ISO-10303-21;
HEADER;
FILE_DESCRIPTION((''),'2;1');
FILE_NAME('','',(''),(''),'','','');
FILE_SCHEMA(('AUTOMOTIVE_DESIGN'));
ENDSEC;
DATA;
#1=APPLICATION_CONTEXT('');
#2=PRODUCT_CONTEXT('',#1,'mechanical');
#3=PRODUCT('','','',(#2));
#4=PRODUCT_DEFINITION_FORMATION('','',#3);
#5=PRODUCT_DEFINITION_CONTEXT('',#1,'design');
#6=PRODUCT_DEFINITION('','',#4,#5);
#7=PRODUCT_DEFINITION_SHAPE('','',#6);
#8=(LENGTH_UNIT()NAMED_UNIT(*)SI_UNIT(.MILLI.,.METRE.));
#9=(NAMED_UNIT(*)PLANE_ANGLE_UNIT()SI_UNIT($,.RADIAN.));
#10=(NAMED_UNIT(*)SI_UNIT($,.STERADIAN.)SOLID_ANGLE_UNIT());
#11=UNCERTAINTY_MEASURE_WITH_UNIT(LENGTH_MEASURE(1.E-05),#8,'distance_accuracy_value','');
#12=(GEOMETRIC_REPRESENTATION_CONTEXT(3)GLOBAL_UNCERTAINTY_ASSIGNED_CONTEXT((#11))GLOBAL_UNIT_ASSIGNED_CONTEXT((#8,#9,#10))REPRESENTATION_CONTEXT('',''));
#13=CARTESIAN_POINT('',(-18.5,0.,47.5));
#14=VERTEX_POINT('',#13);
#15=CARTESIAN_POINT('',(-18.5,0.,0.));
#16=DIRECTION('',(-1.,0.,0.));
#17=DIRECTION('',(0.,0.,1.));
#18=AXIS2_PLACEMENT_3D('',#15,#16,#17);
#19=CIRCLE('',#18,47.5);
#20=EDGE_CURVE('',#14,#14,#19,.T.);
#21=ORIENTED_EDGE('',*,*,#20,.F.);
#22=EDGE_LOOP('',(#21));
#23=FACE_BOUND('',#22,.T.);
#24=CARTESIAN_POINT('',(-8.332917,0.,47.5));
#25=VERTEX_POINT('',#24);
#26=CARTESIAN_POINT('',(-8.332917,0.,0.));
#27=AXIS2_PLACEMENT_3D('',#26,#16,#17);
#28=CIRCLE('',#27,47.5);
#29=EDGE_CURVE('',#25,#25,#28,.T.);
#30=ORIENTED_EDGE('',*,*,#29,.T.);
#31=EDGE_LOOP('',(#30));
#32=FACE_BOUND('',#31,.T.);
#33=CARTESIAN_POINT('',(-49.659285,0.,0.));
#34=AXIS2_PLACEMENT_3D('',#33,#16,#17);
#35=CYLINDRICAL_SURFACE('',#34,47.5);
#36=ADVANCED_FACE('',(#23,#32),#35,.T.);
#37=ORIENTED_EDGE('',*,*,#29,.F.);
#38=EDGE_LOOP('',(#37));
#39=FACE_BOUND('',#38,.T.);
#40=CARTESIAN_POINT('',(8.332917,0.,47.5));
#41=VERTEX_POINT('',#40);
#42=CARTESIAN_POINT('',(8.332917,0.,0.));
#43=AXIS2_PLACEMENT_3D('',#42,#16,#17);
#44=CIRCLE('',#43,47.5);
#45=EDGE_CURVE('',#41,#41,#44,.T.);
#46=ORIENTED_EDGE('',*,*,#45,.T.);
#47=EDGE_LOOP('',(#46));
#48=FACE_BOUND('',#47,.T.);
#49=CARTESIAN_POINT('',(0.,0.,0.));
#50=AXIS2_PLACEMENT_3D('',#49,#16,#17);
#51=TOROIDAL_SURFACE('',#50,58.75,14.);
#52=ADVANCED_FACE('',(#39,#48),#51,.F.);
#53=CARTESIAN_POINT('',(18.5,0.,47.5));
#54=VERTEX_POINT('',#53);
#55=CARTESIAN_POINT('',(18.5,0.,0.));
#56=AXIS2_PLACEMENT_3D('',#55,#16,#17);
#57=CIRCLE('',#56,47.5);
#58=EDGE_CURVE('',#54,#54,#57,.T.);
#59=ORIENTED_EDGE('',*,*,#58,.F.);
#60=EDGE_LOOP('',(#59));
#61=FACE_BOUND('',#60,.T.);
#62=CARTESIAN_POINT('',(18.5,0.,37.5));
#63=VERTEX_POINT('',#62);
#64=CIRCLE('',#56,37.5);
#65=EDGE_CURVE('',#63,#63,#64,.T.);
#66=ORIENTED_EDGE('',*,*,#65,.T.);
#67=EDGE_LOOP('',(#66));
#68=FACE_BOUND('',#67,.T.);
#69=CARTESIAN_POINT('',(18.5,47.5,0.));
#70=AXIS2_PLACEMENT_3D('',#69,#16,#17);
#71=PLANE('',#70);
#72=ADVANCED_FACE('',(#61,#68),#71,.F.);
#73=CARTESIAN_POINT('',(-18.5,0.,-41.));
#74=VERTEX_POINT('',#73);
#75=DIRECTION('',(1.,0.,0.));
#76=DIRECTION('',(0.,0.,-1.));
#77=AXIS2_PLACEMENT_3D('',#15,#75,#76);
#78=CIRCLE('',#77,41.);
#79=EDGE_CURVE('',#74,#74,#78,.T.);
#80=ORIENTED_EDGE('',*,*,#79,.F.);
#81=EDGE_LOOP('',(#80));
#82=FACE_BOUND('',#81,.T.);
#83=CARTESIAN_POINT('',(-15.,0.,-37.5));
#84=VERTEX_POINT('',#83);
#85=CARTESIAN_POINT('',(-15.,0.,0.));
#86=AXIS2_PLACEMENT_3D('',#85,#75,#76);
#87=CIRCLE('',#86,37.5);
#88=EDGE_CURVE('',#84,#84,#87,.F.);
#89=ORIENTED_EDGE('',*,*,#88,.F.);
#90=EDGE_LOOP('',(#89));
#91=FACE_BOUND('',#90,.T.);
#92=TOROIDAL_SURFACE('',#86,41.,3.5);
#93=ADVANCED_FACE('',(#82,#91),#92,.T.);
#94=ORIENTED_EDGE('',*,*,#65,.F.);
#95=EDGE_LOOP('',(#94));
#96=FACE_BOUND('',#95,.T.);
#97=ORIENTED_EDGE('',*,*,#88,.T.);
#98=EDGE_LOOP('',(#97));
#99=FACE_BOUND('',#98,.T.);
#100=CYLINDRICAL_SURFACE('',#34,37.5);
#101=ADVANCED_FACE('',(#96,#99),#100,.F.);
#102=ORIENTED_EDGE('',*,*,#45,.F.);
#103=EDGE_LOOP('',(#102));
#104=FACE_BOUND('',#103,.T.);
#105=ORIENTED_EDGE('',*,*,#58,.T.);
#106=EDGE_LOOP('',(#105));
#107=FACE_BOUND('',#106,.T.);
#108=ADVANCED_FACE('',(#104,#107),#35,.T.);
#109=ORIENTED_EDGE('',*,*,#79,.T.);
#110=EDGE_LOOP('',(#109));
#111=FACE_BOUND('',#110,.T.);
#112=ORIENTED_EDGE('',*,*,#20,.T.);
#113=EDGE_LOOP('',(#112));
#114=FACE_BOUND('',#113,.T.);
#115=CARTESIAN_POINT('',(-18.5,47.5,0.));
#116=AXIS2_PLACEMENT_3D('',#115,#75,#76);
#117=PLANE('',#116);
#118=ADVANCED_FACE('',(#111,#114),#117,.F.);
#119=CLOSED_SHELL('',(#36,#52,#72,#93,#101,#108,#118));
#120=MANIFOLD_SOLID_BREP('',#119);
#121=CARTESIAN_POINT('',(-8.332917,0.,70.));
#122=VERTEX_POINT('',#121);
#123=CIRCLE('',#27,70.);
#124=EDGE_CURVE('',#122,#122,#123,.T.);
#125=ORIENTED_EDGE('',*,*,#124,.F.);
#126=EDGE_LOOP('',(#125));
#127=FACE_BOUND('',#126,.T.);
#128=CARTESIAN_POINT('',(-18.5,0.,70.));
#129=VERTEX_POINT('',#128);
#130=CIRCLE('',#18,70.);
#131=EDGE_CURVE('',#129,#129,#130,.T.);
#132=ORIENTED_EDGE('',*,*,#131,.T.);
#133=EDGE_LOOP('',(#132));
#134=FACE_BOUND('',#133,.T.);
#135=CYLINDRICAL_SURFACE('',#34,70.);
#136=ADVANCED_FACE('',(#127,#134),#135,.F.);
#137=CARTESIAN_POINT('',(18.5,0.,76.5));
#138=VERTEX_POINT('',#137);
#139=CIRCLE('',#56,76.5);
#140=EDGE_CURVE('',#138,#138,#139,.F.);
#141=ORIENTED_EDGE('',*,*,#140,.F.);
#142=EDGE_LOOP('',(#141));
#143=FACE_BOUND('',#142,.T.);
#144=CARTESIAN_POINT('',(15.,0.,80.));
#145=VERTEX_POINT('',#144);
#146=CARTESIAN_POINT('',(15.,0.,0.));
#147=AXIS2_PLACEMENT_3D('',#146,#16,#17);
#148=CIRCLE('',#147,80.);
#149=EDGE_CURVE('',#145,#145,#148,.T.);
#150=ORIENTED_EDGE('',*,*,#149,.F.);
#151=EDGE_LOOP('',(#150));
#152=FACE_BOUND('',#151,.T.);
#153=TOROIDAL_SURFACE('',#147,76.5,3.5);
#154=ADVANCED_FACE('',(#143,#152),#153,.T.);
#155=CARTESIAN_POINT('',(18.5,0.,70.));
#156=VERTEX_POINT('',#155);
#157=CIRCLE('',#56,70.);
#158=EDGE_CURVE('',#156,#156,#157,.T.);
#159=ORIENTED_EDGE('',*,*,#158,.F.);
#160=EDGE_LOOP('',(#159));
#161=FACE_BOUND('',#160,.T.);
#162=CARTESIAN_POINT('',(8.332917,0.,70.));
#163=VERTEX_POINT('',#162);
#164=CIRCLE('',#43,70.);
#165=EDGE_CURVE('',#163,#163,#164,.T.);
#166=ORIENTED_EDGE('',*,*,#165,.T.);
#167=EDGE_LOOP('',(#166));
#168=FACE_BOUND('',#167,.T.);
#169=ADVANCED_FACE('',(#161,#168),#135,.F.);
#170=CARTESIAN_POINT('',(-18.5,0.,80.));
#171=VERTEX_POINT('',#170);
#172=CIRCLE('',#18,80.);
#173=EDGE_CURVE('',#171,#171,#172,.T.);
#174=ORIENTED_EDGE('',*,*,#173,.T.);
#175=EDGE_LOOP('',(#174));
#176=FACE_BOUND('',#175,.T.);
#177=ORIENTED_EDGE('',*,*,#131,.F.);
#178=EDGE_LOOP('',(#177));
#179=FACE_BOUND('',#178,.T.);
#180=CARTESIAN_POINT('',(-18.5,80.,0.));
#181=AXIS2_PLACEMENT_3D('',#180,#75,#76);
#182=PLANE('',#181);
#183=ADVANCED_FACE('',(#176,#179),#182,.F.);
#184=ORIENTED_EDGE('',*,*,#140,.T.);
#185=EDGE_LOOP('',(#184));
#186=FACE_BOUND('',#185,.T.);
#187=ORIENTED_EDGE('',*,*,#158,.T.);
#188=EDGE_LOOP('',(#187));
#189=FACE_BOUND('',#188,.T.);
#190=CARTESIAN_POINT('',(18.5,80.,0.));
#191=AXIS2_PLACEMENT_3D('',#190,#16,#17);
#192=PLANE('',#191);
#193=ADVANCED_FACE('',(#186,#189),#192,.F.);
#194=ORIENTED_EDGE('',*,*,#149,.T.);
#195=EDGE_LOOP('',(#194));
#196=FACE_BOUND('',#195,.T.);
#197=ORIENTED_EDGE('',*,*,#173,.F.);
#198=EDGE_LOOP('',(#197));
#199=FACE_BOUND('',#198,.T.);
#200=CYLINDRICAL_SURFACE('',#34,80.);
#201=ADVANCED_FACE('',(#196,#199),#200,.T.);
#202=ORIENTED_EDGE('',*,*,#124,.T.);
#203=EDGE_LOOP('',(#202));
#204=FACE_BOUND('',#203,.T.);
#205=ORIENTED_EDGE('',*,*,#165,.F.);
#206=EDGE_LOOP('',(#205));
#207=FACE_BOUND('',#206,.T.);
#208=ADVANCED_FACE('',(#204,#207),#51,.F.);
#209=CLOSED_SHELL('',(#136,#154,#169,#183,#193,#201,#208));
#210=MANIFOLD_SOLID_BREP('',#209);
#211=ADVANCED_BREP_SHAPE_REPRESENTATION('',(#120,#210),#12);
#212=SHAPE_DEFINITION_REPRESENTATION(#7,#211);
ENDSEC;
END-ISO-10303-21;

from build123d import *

# Parameters (mm, degrees)
FILLET_1_R = 3.5
FILLET_2_R = 3.5


with BuildPart() as part:
    # 草图1 → 旋转1 (revolve)
    with BuildSketch(Plane.XY, mode=Mode.PRIVATE) as revolve_1_sk:
        with BuildLine():
            Line((8.332916656, 70), (18.5, 70))
            Line((18.5, 70), (18.5, 80))
            Line((18.5, 80), (-18.5, 80))
            Line((-18.5, 80), (-18.5, 70))
            Line((-18.5, 70), (-8.332916656, 70))
            ThreePointArc((-8.332916656, 70), (0, 72.75), (8.332916656, 70))
        make_face()
        with BuildLine():
            Line((-18.5, 47.5), (-8.332916656, 47.5))
            ThreePointArc((-8.332916656, 47.5), (0, 44.75), (8.332916656, 47.5))
            Line((8.332916656, 47.5), (18.5, 47.5))
            Line((18.5, 47.5), (18.5, 37.5))
            Line((18.5, 37.5), (-18.5, 37.5))
            Line((-18.5, 37.5), (-18.5, 47.5))
        make_face()
    revolve(revolve_1_sk.sketch.rotate(Axis((-49.659284853, 0, 0), (1, 0, 0)), 90), axis=Axis((-49.659284853, 0, 0), (1, 0, 0)))

    # 圆角1
    fillet_1_edges = [part.edges().sort_by_distance(p)[0] for p in [
        (18.5, 0, -80),
    ]]
    fillet(fillet_1_edges, radius=FILLET_1_R)

    # 圆角2
    fillet_2_edges = [part.edges().sort_by_distance(p)[0] for p in [
        (-18.5, 0, -37.5),
    ]]
    fillet(fillet_2_edges, radius=FILLET_2_R)


solid = part.part
